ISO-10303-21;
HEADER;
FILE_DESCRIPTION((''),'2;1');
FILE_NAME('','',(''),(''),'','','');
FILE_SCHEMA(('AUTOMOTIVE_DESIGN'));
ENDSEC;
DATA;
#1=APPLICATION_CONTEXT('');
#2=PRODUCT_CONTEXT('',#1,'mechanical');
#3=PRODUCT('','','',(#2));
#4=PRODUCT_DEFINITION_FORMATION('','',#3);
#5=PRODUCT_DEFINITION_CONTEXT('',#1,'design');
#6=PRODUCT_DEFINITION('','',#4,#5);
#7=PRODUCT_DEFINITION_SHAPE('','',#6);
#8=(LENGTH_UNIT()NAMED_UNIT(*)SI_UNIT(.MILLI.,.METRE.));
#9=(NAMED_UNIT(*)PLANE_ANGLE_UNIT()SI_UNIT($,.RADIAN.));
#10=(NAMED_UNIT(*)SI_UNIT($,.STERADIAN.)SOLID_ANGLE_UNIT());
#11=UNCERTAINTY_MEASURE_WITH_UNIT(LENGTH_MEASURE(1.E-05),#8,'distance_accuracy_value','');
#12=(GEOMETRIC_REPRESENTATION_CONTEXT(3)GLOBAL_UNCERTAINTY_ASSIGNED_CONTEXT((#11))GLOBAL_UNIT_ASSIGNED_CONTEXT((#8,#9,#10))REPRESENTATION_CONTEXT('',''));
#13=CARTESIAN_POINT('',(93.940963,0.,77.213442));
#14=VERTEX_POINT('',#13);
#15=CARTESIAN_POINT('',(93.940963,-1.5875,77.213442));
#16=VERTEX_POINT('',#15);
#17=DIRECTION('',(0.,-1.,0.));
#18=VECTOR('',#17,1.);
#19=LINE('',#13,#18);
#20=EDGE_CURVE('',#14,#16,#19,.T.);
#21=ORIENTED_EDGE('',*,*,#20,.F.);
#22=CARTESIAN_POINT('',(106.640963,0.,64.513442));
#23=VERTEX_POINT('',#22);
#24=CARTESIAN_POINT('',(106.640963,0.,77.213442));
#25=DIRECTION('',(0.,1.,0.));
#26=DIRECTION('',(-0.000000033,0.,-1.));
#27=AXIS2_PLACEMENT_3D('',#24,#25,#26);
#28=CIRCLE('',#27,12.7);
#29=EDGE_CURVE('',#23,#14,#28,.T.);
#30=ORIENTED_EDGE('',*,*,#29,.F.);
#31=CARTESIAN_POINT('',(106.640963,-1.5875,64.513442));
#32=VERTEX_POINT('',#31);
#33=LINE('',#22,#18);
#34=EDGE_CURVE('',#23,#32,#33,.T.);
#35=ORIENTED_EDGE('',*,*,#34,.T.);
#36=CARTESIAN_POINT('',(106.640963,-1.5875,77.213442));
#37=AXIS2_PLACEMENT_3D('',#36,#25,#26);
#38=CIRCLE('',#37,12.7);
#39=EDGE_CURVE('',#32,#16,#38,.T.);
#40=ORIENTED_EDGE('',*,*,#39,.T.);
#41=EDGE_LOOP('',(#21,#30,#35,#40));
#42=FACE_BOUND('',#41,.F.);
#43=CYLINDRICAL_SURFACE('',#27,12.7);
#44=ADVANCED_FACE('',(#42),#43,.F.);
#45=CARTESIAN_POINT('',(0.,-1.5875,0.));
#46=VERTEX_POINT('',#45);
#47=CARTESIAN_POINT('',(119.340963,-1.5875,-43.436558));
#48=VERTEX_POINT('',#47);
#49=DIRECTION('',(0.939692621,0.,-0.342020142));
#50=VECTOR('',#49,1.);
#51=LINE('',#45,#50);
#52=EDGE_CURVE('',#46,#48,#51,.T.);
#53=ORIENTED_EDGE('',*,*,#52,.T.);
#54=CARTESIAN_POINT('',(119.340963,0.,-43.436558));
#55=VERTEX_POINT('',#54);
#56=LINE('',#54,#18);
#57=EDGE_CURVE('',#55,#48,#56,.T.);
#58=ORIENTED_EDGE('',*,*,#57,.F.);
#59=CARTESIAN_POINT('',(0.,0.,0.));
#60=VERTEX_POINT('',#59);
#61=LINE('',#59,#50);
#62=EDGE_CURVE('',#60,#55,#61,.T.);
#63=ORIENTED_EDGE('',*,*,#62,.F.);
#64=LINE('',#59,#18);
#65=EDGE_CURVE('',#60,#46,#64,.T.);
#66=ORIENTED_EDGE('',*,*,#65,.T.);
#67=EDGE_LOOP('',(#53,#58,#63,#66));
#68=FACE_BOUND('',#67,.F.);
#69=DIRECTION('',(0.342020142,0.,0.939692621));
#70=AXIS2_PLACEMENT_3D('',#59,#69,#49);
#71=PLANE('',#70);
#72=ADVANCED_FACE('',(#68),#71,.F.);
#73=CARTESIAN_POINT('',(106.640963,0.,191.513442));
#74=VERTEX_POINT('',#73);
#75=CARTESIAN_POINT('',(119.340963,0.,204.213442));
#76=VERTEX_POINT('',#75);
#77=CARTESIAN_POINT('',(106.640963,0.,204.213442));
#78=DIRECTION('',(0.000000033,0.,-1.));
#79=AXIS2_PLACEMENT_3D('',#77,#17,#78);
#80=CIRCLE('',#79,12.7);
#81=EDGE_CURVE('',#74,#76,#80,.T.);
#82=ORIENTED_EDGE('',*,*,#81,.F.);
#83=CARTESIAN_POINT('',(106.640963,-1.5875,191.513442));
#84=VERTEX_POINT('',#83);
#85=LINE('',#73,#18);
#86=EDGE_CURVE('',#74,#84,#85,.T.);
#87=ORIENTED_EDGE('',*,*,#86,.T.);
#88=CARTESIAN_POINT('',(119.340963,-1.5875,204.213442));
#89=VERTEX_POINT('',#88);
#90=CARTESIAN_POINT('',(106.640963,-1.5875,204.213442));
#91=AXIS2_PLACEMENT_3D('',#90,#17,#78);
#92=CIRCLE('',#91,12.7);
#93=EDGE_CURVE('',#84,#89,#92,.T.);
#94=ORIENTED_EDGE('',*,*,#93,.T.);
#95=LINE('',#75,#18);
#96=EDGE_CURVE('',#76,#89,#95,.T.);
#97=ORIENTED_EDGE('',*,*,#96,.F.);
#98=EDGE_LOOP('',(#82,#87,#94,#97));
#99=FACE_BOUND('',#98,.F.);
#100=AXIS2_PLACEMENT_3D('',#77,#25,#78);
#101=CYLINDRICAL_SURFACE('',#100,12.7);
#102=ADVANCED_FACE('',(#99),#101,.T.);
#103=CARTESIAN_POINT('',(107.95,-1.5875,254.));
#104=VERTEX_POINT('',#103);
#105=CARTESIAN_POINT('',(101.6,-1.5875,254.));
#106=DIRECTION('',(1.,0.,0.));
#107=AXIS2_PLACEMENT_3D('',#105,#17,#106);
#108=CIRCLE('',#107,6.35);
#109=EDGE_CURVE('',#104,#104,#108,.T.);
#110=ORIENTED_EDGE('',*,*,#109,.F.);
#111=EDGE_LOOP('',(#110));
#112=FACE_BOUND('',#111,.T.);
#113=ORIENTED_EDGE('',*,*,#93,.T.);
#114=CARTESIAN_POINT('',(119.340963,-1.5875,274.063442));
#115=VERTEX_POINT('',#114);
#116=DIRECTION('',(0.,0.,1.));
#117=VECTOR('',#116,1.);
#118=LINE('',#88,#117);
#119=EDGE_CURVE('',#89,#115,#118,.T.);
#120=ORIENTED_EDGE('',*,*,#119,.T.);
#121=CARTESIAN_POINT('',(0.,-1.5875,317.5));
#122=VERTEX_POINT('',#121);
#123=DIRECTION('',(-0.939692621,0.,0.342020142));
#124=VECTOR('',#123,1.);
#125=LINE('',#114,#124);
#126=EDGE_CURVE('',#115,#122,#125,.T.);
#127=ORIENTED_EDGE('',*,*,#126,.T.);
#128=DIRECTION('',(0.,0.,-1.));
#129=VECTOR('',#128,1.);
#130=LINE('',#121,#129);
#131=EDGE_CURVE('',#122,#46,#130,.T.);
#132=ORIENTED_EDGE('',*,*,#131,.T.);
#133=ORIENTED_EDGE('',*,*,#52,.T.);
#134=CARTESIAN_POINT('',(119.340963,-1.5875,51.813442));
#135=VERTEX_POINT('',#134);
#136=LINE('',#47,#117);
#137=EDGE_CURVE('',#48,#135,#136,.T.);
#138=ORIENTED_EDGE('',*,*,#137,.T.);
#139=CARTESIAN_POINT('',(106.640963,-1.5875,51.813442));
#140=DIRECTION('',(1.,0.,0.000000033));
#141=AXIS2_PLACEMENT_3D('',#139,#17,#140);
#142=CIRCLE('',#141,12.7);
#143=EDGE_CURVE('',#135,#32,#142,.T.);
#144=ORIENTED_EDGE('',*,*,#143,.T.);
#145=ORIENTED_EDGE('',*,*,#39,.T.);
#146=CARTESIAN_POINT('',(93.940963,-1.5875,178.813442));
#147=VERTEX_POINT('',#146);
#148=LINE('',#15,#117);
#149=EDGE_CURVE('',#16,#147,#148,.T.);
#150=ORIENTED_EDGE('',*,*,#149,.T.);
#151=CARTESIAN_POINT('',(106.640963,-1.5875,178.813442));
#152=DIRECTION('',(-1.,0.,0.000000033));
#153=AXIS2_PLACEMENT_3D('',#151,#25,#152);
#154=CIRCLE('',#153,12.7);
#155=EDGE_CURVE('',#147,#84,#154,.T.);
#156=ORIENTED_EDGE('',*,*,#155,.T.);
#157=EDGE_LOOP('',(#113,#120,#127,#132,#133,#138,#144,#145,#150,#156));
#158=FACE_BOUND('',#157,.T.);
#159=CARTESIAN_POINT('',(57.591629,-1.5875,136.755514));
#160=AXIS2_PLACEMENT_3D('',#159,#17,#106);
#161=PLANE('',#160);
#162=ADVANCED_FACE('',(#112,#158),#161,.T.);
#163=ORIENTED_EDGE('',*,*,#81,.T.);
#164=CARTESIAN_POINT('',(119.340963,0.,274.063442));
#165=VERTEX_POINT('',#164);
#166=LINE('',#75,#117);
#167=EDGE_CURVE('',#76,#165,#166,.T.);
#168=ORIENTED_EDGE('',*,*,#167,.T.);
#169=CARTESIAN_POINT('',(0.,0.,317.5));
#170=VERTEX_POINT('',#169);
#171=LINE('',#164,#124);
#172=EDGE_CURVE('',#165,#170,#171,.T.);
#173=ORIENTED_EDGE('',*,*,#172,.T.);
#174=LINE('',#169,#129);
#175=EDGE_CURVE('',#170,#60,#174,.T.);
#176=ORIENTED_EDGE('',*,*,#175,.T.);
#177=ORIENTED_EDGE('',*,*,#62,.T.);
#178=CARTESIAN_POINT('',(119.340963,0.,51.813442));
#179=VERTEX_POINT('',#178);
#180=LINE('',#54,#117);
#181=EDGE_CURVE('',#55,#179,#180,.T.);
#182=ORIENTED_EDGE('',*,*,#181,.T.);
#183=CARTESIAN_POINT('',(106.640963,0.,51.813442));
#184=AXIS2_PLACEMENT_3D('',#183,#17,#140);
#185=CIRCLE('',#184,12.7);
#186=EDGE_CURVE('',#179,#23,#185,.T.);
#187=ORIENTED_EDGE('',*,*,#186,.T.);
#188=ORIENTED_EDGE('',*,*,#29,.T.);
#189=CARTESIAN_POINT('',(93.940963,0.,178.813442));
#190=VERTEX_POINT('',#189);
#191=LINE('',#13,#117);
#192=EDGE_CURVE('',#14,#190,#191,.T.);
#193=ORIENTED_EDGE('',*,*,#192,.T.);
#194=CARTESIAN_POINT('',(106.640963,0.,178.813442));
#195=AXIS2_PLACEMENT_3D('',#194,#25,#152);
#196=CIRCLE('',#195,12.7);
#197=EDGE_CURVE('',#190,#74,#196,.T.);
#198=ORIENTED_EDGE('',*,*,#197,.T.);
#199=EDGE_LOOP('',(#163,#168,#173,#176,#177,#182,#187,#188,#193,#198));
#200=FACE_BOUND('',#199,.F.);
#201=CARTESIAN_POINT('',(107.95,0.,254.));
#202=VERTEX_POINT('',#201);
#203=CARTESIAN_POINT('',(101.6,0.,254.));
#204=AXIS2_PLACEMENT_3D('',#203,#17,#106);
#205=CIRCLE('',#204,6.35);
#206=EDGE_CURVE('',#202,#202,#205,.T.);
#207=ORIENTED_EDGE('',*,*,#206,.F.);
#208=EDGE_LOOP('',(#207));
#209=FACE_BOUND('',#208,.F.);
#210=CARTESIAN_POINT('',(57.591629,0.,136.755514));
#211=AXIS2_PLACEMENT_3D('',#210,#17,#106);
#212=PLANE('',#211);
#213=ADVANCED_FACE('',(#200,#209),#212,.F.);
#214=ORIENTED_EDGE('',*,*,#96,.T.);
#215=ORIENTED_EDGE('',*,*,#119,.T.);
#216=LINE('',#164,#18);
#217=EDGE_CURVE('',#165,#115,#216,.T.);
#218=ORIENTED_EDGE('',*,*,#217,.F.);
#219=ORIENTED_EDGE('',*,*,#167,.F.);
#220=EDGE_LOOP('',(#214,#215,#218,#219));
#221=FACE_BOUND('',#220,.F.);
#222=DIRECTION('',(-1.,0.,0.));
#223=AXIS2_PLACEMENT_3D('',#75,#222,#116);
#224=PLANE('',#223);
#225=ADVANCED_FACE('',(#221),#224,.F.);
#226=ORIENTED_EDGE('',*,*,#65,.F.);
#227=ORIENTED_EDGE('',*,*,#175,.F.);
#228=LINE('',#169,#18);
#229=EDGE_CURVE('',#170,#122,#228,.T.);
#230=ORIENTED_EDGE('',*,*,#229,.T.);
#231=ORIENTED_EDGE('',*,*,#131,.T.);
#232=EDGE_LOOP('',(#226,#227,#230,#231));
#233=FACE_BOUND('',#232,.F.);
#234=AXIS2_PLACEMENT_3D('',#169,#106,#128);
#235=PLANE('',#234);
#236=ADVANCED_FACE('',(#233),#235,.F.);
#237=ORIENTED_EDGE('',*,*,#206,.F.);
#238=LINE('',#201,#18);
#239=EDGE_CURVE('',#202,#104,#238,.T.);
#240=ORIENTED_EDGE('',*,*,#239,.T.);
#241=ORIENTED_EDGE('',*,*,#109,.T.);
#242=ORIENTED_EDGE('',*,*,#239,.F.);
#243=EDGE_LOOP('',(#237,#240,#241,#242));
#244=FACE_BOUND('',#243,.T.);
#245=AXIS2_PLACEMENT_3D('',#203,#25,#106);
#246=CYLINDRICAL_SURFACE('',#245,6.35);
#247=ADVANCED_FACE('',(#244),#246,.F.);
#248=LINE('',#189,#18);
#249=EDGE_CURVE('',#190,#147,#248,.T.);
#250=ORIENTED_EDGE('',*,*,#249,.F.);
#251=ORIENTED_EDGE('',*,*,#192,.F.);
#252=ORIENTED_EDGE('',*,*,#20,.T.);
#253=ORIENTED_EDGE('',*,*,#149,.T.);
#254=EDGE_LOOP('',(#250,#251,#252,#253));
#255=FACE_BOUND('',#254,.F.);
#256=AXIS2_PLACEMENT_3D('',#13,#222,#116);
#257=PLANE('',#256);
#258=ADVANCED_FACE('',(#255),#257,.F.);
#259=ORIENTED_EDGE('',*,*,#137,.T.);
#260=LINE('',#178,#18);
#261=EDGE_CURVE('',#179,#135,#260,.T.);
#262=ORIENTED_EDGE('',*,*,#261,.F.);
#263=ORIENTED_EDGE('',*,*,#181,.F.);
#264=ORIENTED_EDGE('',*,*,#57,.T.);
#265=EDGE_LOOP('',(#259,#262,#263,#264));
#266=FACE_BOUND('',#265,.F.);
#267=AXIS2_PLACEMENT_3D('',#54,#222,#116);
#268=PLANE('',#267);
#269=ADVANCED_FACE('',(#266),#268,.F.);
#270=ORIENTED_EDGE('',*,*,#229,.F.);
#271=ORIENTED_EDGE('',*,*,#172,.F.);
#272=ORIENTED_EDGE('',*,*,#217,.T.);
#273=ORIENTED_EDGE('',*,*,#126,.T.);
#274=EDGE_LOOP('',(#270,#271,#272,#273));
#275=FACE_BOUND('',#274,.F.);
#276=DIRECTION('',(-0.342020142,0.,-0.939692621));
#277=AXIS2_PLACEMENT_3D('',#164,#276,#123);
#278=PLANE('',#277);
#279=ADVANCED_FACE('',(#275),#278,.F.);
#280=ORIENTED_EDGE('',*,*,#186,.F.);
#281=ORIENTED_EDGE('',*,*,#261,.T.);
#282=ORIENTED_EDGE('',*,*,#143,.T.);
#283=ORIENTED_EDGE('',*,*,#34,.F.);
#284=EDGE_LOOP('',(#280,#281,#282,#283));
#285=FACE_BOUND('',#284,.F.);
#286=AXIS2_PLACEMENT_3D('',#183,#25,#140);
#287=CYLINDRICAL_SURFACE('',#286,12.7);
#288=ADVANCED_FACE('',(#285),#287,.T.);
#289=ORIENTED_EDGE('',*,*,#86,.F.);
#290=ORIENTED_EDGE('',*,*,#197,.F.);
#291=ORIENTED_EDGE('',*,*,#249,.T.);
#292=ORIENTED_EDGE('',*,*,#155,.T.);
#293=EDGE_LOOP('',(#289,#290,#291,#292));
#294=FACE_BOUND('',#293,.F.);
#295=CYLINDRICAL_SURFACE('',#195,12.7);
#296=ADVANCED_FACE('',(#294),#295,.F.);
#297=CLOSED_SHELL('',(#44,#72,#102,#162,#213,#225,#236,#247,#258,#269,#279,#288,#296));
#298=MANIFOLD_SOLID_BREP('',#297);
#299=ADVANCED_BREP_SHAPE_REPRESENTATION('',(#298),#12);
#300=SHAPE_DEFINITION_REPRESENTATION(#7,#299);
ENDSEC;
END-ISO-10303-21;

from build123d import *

# Parameters (mm, degrees)
F0_R     = 6.35
F1_DEPTH = 1.5875


with BuildPart() as f1:
    # F0 (on Front) → F1 (new body)
    with BuildSketch(Plane.XZ):
        with BuildLine():
            Line((0, 317.5), (0, 0))
            Line((0, 0), (119.340963, -43.436558))
            Line((119.340963, -43.436558), (119.340963, 51.813442))
            ThreePointArc((119.340963, 51.813442), (115.621219, 60.793698), (106.640963, 64.513442))
            ThreePointArc((106.640963, 64.513442), (97.660707, 68.233186), (93.940963, 77.213442))
            Line((93.940963, 77.213442), (93.940963, 178.813442))
            ThreePointArc((93.940963, 178.813442), (97.660707, 187.793698), (106.640963, 191.513442))
            ThreePointArc((106.640963, 191.513442), (115.621219, 195.233186), (119.340963, 204.213442))
            Line((119.340963, 204.213442), (119.340963, 274.063442))
            Line((119.340963, 274.063442), (0, 317.5))
        make_face()
        with Locations((101.6, 254)):
            Circle(F0_R, mode=Mode.SUBTRACT)
    extrude(amount=F1_DEPTH)


solid = f1.part
